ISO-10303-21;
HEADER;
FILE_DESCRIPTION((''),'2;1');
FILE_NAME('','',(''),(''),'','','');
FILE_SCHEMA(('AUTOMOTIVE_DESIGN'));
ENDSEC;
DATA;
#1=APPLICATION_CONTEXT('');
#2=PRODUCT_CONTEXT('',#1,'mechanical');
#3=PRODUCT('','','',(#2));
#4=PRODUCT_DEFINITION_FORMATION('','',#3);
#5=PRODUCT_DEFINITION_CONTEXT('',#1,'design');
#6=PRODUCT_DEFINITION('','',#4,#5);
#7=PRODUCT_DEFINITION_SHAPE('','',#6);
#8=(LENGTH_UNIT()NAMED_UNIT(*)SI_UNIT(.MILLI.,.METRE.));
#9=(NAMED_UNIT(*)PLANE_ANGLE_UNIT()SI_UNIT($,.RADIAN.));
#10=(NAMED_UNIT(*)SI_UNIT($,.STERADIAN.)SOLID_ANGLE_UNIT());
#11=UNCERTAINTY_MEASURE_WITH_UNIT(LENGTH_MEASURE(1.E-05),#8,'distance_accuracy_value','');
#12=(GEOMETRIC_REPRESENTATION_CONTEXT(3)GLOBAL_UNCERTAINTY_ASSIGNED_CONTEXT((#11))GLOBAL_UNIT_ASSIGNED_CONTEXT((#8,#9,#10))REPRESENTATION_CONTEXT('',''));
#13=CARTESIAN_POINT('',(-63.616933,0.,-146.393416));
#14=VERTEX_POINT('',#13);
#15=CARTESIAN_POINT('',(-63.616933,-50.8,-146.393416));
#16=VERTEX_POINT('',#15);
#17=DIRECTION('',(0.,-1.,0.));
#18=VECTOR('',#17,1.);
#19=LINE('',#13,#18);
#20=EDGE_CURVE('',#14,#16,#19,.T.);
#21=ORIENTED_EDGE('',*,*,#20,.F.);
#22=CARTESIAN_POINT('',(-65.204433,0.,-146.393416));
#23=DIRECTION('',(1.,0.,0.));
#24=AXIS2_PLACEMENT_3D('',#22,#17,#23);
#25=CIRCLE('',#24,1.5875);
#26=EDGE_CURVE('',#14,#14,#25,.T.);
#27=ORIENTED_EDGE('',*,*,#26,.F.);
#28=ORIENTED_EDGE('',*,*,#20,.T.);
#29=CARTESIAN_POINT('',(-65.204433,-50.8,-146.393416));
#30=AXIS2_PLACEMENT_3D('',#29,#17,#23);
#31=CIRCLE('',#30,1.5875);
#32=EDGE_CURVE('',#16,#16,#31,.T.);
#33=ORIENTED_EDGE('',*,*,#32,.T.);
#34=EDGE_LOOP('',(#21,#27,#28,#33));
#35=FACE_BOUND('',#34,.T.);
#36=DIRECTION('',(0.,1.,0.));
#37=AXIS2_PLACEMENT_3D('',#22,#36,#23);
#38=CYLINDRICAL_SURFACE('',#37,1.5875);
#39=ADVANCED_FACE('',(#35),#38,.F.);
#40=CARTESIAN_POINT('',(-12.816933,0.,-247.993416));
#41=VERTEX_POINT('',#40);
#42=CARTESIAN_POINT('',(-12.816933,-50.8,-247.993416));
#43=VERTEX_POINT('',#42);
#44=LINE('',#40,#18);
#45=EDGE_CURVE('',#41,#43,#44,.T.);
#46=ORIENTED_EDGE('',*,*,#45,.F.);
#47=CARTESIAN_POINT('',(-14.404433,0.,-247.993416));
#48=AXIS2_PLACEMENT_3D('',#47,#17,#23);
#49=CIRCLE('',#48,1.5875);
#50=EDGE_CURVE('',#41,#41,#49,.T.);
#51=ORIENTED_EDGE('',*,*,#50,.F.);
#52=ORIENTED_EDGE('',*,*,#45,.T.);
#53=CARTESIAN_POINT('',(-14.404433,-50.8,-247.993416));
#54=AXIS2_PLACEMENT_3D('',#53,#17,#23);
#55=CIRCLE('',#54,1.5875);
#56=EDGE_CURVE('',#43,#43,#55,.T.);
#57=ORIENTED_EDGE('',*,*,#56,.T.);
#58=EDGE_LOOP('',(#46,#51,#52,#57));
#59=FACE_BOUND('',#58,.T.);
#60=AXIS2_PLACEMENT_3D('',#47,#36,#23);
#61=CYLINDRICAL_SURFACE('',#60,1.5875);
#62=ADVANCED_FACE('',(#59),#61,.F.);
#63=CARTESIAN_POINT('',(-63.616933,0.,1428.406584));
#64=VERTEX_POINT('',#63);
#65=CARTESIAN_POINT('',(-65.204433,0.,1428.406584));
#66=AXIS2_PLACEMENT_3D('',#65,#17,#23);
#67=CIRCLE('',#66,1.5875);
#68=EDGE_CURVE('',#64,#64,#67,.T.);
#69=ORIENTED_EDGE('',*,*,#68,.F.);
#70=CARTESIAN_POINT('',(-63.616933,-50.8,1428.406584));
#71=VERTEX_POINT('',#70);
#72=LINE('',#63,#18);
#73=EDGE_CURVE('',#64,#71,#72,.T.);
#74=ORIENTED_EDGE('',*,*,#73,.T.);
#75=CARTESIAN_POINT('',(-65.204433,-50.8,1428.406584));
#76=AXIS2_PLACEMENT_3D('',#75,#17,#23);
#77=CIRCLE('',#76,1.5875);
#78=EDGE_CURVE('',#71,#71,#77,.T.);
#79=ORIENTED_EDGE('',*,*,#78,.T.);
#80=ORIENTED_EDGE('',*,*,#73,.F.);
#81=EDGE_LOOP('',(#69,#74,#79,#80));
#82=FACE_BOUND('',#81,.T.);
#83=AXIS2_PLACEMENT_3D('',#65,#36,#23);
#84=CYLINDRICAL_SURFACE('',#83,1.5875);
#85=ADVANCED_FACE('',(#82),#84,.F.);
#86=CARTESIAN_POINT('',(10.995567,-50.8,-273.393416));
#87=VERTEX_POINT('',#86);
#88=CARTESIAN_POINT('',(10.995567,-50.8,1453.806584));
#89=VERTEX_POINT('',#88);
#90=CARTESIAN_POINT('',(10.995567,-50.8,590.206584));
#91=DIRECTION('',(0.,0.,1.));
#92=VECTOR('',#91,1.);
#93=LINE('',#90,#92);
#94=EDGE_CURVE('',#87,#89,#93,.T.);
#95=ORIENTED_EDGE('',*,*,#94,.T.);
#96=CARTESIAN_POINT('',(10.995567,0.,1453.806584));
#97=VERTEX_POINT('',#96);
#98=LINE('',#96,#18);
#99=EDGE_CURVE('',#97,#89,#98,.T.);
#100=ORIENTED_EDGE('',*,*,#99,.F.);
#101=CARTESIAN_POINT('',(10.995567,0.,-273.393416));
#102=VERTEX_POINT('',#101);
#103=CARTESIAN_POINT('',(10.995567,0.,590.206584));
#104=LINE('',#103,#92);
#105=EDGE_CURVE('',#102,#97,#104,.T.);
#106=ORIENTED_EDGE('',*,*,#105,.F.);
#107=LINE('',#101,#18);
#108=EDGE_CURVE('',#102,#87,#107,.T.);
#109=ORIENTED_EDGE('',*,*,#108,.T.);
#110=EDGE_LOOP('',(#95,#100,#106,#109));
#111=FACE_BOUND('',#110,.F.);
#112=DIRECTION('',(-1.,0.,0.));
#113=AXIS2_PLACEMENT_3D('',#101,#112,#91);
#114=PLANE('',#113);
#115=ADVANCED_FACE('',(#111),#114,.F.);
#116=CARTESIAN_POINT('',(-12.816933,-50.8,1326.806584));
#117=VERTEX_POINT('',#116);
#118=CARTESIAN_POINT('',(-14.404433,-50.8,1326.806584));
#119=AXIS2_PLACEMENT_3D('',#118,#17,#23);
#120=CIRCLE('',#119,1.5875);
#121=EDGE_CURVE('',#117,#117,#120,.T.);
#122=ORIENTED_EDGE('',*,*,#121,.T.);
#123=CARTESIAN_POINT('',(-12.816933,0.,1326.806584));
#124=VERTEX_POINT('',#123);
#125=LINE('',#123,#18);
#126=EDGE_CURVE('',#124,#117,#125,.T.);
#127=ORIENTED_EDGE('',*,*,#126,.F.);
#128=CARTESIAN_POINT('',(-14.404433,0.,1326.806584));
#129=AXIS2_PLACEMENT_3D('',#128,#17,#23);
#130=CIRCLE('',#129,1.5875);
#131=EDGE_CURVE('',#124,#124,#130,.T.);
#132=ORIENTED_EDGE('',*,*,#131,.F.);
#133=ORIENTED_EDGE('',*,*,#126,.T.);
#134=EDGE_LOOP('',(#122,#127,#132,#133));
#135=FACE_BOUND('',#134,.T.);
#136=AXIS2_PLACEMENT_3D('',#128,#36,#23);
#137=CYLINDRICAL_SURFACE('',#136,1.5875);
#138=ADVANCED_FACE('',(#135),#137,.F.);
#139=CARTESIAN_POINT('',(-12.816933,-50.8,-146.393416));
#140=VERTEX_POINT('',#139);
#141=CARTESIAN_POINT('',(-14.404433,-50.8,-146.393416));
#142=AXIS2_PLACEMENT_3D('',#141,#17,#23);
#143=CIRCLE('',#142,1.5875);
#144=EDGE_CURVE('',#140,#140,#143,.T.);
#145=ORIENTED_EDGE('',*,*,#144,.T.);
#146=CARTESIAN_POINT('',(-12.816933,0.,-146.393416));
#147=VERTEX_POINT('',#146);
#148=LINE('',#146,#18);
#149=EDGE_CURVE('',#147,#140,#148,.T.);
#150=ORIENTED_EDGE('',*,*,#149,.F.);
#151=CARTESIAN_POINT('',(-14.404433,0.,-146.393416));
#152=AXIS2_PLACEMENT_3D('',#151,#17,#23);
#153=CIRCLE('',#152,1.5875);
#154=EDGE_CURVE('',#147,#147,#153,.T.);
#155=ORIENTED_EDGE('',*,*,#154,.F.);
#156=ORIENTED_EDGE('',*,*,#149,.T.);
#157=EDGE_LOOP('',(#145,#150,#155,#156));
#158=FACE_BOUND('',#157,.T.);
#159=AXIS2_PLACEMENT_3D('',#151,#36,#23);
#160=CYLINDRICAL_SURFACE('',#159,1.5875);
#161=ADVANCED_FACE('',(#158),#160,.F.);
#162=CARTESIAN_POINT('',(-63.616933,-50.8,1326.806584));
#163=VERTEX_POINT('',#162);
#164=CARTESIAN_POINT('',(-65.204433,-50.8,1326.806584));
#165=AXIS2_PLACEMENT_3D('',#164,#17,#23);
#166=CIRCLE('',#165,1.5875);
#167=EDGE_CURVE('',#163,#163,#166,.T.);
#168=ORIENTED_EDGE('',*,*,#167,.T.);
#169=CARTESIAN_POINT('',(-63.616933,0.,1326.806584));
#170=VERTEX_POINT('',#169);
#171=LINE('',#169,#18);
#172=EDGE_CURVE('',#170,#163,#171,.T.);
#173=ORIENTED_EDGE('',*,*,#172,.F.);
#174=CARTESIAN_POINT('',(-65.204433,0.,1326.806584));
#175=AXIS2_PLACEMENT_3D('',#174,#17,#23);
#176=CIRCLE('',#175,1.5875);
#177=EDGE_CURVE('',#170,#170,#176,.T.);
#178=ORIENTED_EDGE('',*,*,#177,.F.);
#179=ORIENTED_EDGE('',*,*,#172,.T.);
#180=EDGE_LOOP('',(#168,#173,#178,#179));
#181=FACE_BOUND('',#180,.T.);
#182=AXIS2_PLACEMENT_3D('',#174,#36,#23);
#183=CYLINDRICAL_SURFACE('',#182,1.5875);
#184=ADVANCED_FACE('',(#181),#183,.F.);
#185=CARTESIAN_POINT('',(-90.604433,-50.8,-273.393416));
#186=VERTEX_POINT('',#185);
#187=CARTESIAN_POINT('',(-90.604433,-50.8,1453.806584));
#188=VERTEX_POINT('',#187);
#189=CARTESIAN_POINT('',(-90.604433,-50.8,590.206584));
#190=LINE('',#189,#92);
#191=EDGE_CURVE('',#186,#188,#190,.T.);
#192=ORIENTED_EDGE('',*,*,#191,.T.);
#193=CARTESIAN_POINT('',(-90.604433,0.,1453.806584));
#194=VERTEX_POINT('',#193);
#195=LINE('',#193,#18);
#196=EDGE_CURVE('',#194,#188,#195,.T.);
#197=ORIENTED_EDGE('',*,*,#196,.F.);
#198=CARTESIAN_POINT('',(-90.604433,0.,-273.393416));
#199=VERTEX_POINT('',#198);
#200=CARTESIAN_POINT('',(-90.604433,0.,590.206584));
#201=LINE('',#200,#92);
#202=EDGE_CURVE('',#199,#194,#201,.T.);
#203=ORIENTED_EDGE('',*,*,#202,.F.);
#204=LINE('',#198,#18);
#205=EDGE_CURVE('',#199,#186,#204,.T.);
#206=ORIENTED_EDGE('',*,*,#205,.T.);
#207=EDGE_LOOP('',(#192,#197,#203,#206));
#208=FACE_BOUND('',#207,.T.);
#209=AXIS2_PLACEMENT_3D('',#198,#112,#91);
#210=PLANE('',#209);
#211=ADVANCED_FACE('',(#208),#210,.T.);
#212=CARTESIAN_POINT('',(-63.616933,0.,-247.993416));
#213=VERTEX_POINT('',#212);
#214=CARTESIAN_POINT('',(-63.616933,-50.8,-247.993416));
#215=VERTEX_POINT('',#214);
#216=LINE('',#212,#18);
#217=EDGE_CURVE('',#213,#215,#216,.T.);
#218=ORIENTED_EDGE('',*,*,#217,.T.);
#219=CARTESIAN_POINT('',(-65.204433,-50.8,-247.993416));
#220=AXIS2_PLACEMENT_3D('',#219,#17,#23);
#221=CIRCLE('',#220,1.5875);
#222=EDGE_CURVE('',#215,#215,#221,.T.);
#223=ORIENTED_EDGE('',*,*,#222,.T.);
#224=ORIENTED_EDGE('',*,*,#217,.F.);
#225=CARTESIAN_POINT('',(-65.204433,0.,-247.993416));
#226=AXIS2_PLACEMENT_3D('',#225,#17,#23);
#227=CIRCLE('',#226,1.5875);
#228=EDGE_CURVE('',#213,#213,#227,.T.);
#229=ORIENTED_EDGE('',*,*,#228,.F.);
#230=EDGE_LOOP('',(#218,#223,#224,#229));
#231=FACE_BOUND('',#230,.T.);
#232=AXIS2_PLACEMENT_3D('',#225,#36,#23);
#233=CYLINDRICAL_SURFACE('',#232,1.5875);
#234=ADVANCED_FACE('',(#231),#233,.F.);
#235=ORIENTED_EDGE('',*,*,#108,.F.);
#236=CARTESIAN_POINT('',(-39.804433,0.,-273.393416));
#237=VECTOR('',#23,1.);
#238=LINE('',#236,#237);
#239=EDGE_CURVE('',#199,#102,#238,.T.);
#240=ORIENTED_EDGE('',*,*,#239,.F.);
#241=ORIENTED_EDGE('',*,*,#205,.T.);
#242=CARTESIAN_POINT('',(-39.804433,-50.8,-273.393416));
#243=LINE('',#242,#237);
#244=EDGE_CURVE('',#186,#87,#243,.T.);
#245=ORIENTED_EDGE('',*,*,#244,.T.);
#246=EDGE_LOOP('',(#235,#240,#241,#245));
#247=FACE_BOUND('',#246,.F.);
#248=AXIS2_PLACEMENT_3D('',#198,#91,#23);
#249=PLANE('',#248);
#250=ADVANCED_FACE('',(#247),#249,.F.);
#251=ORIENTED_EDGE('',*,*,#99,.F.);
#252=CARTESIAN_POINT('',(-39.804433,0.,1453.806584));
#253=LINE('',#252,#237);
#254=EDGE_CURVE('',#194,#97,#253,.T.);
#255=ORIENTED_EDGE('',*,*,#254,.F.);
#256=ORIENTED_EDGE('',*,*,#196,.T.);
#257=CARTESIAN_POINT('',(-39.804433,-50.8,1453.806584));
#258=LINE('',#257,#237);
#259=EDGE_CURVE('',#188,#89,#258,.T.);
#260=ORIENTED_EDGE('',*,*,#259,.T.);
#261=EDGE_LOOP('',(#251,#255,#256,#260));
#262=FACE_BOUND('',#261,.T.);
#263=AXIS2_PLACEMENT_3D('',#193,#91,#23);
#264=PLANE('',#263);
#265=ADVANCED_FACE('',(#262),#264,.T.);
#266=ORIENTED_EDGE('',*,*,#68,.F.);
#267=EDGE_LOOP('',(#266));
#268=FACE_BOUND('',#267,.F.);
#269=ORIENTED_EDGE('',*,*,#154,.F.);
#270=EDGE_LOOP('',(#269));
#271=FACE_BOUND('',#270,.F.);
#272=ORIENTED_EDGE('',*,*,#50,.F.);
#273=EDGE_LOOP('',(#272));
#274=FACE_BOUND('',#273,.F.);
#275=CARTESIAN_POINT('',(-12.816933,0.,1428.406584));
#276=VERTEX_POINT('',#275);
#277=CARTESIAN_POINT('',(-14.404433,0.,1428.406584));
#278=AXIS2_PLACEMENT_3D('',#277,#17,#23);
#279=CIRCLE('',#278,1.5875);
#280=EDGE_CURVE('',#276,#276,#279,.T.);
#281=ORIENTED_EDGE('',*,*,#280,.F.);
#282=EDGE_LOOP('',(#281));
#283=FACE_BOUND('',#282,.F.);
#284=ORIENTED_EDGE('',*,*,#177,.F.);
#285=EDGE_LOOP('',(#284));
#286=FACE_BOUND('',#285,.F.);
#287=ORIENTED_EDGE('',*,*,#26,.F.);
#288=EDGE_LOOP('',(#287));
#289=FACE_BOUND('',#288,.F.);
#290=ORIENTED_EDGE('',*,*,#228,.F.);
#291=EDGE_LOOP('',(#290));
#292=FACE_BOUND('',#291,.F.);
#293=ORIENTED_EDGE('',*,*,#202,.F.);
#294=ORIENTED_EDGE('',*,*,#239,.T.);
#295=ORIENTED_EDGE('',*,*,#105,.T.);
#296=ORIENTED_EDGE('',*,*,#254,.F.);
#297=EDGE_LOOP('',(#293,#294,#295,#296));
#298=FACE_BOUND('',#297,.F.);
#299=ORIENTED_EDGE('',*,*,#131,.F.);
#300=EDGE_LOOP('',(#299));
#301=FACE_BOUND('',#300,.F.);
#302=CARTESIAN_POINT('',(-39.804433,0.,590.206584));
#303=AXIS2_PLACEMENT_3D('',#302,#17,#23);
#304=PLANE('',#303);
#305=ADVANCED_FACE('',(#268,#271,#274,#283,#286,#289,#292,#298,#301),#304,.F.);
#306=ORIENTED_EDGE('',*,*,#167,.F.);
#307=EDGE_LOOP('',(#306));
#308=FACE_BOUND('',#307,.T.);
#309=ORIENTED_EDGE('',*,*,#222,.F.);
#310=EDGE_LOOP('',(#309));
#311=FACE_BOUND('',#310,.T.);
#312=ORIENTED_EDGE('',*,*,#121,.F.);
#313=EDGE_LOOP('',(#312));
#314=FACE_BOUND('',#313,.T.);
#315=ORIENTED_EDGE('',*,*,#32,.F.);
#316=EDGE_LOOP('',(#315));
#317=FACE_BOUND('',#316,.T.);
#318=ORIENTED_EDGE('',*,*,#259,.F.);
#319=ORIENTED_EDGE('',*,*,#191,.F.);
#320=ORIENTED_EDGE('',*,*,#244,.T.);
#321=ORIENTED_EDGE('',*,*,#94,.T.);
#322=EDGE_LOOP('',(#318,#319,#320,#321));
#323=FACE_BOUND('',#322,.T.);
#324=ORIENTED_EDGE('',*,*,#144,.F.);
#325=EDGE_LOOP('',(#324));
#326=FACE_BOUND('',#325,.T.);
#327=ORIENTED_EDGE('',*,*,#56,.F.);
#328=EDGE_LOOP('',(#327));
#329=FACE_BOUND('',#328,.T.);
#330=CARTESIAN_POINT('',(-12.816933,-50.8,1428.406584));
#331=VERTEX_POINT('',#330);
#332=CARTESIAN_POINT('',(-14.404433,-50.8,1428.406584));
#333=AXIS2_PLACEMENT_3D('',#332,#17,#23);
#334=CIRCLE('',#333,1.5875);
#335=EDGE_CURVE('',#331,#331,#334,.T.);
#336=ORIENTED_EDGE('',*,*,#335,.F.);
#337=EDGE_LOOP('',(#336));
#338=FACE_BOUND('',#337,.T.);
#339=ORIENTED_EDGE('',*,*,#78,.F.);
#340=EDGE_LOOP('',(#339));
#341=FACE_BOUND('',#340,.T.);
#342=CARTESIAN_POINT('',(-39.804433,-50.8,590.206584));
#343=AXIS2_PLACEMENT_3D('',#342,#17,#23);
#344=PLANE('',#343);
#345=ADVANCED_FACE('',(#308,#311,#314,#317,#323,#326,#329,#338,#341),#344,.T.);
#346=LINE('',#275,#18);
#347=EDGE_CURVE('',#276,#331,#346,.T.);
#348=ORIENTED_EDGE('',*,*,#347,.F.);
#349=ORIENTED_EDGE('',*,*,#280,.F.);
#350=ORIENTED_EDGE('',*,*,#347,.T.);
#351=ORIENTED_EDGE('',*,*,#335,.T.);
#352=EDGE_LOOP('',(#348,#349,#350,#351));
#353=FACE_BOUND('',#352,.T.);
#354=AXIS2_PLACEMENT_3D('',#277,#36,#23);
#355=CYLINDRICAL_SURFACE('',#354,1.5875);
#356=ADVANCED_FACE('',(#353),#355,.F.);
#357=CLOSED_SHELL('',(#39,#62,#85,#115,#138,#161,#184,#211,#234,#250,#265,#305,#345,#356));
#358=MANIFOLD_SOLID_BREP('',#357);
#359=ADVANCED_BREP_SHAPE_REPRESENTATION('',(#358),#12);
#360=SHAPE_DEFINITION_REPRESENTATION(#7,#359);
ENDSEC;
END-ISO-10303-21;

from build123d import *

# Parameters (mm, degrees)
F0_W     = 101.6
F0_H     = 1727.2
F0_R     = 1.5875
F1_DEPTH = 50.8


with BuildPart() as f1:
    # F0 (on Front) → F1 (new body)
    with BuildSketch(Plane.XZ):
        with Locations((-39.804433, 590.206584)):
            Rectangle(F0_W, F0_H)
        with Locations((-65.204433, -247.993416)):
            Circle(F0_R, mode=Mode.SUBTRACT)
        with Locations((-65.204433, -146.393416)):
            Circle(F0_R, mode=Mode.SUBTRACT)
        with Locations((-14.404433, -146.393416)):
            Circle(F0_R, mode=Mode.SUBTRACT)
        with Locations((-14.404433, -247.993416)):
            Circle(F0_R, mode=Mode.SUBTRACT)
        with Locations((-65.204433, 1326.806584)):
            Circle(F0_R, mode=Mode.SUBTRACT)
        with Locations((-65.204433, 1428.406584)):
            Circle(F0_R, mode=Mode.SUBTRACT)
        with Locations((-14.404433, 1326.806584)):
            Circle(F0_R, mode=Mode.SUBTRACT)
        with Locations((-14.404433, 1428.406584)):
            Circle(F0_R, mode=Mode.SUBTRACT)
    extrude(amount=F1_DEPTH)


solid = f1.part
